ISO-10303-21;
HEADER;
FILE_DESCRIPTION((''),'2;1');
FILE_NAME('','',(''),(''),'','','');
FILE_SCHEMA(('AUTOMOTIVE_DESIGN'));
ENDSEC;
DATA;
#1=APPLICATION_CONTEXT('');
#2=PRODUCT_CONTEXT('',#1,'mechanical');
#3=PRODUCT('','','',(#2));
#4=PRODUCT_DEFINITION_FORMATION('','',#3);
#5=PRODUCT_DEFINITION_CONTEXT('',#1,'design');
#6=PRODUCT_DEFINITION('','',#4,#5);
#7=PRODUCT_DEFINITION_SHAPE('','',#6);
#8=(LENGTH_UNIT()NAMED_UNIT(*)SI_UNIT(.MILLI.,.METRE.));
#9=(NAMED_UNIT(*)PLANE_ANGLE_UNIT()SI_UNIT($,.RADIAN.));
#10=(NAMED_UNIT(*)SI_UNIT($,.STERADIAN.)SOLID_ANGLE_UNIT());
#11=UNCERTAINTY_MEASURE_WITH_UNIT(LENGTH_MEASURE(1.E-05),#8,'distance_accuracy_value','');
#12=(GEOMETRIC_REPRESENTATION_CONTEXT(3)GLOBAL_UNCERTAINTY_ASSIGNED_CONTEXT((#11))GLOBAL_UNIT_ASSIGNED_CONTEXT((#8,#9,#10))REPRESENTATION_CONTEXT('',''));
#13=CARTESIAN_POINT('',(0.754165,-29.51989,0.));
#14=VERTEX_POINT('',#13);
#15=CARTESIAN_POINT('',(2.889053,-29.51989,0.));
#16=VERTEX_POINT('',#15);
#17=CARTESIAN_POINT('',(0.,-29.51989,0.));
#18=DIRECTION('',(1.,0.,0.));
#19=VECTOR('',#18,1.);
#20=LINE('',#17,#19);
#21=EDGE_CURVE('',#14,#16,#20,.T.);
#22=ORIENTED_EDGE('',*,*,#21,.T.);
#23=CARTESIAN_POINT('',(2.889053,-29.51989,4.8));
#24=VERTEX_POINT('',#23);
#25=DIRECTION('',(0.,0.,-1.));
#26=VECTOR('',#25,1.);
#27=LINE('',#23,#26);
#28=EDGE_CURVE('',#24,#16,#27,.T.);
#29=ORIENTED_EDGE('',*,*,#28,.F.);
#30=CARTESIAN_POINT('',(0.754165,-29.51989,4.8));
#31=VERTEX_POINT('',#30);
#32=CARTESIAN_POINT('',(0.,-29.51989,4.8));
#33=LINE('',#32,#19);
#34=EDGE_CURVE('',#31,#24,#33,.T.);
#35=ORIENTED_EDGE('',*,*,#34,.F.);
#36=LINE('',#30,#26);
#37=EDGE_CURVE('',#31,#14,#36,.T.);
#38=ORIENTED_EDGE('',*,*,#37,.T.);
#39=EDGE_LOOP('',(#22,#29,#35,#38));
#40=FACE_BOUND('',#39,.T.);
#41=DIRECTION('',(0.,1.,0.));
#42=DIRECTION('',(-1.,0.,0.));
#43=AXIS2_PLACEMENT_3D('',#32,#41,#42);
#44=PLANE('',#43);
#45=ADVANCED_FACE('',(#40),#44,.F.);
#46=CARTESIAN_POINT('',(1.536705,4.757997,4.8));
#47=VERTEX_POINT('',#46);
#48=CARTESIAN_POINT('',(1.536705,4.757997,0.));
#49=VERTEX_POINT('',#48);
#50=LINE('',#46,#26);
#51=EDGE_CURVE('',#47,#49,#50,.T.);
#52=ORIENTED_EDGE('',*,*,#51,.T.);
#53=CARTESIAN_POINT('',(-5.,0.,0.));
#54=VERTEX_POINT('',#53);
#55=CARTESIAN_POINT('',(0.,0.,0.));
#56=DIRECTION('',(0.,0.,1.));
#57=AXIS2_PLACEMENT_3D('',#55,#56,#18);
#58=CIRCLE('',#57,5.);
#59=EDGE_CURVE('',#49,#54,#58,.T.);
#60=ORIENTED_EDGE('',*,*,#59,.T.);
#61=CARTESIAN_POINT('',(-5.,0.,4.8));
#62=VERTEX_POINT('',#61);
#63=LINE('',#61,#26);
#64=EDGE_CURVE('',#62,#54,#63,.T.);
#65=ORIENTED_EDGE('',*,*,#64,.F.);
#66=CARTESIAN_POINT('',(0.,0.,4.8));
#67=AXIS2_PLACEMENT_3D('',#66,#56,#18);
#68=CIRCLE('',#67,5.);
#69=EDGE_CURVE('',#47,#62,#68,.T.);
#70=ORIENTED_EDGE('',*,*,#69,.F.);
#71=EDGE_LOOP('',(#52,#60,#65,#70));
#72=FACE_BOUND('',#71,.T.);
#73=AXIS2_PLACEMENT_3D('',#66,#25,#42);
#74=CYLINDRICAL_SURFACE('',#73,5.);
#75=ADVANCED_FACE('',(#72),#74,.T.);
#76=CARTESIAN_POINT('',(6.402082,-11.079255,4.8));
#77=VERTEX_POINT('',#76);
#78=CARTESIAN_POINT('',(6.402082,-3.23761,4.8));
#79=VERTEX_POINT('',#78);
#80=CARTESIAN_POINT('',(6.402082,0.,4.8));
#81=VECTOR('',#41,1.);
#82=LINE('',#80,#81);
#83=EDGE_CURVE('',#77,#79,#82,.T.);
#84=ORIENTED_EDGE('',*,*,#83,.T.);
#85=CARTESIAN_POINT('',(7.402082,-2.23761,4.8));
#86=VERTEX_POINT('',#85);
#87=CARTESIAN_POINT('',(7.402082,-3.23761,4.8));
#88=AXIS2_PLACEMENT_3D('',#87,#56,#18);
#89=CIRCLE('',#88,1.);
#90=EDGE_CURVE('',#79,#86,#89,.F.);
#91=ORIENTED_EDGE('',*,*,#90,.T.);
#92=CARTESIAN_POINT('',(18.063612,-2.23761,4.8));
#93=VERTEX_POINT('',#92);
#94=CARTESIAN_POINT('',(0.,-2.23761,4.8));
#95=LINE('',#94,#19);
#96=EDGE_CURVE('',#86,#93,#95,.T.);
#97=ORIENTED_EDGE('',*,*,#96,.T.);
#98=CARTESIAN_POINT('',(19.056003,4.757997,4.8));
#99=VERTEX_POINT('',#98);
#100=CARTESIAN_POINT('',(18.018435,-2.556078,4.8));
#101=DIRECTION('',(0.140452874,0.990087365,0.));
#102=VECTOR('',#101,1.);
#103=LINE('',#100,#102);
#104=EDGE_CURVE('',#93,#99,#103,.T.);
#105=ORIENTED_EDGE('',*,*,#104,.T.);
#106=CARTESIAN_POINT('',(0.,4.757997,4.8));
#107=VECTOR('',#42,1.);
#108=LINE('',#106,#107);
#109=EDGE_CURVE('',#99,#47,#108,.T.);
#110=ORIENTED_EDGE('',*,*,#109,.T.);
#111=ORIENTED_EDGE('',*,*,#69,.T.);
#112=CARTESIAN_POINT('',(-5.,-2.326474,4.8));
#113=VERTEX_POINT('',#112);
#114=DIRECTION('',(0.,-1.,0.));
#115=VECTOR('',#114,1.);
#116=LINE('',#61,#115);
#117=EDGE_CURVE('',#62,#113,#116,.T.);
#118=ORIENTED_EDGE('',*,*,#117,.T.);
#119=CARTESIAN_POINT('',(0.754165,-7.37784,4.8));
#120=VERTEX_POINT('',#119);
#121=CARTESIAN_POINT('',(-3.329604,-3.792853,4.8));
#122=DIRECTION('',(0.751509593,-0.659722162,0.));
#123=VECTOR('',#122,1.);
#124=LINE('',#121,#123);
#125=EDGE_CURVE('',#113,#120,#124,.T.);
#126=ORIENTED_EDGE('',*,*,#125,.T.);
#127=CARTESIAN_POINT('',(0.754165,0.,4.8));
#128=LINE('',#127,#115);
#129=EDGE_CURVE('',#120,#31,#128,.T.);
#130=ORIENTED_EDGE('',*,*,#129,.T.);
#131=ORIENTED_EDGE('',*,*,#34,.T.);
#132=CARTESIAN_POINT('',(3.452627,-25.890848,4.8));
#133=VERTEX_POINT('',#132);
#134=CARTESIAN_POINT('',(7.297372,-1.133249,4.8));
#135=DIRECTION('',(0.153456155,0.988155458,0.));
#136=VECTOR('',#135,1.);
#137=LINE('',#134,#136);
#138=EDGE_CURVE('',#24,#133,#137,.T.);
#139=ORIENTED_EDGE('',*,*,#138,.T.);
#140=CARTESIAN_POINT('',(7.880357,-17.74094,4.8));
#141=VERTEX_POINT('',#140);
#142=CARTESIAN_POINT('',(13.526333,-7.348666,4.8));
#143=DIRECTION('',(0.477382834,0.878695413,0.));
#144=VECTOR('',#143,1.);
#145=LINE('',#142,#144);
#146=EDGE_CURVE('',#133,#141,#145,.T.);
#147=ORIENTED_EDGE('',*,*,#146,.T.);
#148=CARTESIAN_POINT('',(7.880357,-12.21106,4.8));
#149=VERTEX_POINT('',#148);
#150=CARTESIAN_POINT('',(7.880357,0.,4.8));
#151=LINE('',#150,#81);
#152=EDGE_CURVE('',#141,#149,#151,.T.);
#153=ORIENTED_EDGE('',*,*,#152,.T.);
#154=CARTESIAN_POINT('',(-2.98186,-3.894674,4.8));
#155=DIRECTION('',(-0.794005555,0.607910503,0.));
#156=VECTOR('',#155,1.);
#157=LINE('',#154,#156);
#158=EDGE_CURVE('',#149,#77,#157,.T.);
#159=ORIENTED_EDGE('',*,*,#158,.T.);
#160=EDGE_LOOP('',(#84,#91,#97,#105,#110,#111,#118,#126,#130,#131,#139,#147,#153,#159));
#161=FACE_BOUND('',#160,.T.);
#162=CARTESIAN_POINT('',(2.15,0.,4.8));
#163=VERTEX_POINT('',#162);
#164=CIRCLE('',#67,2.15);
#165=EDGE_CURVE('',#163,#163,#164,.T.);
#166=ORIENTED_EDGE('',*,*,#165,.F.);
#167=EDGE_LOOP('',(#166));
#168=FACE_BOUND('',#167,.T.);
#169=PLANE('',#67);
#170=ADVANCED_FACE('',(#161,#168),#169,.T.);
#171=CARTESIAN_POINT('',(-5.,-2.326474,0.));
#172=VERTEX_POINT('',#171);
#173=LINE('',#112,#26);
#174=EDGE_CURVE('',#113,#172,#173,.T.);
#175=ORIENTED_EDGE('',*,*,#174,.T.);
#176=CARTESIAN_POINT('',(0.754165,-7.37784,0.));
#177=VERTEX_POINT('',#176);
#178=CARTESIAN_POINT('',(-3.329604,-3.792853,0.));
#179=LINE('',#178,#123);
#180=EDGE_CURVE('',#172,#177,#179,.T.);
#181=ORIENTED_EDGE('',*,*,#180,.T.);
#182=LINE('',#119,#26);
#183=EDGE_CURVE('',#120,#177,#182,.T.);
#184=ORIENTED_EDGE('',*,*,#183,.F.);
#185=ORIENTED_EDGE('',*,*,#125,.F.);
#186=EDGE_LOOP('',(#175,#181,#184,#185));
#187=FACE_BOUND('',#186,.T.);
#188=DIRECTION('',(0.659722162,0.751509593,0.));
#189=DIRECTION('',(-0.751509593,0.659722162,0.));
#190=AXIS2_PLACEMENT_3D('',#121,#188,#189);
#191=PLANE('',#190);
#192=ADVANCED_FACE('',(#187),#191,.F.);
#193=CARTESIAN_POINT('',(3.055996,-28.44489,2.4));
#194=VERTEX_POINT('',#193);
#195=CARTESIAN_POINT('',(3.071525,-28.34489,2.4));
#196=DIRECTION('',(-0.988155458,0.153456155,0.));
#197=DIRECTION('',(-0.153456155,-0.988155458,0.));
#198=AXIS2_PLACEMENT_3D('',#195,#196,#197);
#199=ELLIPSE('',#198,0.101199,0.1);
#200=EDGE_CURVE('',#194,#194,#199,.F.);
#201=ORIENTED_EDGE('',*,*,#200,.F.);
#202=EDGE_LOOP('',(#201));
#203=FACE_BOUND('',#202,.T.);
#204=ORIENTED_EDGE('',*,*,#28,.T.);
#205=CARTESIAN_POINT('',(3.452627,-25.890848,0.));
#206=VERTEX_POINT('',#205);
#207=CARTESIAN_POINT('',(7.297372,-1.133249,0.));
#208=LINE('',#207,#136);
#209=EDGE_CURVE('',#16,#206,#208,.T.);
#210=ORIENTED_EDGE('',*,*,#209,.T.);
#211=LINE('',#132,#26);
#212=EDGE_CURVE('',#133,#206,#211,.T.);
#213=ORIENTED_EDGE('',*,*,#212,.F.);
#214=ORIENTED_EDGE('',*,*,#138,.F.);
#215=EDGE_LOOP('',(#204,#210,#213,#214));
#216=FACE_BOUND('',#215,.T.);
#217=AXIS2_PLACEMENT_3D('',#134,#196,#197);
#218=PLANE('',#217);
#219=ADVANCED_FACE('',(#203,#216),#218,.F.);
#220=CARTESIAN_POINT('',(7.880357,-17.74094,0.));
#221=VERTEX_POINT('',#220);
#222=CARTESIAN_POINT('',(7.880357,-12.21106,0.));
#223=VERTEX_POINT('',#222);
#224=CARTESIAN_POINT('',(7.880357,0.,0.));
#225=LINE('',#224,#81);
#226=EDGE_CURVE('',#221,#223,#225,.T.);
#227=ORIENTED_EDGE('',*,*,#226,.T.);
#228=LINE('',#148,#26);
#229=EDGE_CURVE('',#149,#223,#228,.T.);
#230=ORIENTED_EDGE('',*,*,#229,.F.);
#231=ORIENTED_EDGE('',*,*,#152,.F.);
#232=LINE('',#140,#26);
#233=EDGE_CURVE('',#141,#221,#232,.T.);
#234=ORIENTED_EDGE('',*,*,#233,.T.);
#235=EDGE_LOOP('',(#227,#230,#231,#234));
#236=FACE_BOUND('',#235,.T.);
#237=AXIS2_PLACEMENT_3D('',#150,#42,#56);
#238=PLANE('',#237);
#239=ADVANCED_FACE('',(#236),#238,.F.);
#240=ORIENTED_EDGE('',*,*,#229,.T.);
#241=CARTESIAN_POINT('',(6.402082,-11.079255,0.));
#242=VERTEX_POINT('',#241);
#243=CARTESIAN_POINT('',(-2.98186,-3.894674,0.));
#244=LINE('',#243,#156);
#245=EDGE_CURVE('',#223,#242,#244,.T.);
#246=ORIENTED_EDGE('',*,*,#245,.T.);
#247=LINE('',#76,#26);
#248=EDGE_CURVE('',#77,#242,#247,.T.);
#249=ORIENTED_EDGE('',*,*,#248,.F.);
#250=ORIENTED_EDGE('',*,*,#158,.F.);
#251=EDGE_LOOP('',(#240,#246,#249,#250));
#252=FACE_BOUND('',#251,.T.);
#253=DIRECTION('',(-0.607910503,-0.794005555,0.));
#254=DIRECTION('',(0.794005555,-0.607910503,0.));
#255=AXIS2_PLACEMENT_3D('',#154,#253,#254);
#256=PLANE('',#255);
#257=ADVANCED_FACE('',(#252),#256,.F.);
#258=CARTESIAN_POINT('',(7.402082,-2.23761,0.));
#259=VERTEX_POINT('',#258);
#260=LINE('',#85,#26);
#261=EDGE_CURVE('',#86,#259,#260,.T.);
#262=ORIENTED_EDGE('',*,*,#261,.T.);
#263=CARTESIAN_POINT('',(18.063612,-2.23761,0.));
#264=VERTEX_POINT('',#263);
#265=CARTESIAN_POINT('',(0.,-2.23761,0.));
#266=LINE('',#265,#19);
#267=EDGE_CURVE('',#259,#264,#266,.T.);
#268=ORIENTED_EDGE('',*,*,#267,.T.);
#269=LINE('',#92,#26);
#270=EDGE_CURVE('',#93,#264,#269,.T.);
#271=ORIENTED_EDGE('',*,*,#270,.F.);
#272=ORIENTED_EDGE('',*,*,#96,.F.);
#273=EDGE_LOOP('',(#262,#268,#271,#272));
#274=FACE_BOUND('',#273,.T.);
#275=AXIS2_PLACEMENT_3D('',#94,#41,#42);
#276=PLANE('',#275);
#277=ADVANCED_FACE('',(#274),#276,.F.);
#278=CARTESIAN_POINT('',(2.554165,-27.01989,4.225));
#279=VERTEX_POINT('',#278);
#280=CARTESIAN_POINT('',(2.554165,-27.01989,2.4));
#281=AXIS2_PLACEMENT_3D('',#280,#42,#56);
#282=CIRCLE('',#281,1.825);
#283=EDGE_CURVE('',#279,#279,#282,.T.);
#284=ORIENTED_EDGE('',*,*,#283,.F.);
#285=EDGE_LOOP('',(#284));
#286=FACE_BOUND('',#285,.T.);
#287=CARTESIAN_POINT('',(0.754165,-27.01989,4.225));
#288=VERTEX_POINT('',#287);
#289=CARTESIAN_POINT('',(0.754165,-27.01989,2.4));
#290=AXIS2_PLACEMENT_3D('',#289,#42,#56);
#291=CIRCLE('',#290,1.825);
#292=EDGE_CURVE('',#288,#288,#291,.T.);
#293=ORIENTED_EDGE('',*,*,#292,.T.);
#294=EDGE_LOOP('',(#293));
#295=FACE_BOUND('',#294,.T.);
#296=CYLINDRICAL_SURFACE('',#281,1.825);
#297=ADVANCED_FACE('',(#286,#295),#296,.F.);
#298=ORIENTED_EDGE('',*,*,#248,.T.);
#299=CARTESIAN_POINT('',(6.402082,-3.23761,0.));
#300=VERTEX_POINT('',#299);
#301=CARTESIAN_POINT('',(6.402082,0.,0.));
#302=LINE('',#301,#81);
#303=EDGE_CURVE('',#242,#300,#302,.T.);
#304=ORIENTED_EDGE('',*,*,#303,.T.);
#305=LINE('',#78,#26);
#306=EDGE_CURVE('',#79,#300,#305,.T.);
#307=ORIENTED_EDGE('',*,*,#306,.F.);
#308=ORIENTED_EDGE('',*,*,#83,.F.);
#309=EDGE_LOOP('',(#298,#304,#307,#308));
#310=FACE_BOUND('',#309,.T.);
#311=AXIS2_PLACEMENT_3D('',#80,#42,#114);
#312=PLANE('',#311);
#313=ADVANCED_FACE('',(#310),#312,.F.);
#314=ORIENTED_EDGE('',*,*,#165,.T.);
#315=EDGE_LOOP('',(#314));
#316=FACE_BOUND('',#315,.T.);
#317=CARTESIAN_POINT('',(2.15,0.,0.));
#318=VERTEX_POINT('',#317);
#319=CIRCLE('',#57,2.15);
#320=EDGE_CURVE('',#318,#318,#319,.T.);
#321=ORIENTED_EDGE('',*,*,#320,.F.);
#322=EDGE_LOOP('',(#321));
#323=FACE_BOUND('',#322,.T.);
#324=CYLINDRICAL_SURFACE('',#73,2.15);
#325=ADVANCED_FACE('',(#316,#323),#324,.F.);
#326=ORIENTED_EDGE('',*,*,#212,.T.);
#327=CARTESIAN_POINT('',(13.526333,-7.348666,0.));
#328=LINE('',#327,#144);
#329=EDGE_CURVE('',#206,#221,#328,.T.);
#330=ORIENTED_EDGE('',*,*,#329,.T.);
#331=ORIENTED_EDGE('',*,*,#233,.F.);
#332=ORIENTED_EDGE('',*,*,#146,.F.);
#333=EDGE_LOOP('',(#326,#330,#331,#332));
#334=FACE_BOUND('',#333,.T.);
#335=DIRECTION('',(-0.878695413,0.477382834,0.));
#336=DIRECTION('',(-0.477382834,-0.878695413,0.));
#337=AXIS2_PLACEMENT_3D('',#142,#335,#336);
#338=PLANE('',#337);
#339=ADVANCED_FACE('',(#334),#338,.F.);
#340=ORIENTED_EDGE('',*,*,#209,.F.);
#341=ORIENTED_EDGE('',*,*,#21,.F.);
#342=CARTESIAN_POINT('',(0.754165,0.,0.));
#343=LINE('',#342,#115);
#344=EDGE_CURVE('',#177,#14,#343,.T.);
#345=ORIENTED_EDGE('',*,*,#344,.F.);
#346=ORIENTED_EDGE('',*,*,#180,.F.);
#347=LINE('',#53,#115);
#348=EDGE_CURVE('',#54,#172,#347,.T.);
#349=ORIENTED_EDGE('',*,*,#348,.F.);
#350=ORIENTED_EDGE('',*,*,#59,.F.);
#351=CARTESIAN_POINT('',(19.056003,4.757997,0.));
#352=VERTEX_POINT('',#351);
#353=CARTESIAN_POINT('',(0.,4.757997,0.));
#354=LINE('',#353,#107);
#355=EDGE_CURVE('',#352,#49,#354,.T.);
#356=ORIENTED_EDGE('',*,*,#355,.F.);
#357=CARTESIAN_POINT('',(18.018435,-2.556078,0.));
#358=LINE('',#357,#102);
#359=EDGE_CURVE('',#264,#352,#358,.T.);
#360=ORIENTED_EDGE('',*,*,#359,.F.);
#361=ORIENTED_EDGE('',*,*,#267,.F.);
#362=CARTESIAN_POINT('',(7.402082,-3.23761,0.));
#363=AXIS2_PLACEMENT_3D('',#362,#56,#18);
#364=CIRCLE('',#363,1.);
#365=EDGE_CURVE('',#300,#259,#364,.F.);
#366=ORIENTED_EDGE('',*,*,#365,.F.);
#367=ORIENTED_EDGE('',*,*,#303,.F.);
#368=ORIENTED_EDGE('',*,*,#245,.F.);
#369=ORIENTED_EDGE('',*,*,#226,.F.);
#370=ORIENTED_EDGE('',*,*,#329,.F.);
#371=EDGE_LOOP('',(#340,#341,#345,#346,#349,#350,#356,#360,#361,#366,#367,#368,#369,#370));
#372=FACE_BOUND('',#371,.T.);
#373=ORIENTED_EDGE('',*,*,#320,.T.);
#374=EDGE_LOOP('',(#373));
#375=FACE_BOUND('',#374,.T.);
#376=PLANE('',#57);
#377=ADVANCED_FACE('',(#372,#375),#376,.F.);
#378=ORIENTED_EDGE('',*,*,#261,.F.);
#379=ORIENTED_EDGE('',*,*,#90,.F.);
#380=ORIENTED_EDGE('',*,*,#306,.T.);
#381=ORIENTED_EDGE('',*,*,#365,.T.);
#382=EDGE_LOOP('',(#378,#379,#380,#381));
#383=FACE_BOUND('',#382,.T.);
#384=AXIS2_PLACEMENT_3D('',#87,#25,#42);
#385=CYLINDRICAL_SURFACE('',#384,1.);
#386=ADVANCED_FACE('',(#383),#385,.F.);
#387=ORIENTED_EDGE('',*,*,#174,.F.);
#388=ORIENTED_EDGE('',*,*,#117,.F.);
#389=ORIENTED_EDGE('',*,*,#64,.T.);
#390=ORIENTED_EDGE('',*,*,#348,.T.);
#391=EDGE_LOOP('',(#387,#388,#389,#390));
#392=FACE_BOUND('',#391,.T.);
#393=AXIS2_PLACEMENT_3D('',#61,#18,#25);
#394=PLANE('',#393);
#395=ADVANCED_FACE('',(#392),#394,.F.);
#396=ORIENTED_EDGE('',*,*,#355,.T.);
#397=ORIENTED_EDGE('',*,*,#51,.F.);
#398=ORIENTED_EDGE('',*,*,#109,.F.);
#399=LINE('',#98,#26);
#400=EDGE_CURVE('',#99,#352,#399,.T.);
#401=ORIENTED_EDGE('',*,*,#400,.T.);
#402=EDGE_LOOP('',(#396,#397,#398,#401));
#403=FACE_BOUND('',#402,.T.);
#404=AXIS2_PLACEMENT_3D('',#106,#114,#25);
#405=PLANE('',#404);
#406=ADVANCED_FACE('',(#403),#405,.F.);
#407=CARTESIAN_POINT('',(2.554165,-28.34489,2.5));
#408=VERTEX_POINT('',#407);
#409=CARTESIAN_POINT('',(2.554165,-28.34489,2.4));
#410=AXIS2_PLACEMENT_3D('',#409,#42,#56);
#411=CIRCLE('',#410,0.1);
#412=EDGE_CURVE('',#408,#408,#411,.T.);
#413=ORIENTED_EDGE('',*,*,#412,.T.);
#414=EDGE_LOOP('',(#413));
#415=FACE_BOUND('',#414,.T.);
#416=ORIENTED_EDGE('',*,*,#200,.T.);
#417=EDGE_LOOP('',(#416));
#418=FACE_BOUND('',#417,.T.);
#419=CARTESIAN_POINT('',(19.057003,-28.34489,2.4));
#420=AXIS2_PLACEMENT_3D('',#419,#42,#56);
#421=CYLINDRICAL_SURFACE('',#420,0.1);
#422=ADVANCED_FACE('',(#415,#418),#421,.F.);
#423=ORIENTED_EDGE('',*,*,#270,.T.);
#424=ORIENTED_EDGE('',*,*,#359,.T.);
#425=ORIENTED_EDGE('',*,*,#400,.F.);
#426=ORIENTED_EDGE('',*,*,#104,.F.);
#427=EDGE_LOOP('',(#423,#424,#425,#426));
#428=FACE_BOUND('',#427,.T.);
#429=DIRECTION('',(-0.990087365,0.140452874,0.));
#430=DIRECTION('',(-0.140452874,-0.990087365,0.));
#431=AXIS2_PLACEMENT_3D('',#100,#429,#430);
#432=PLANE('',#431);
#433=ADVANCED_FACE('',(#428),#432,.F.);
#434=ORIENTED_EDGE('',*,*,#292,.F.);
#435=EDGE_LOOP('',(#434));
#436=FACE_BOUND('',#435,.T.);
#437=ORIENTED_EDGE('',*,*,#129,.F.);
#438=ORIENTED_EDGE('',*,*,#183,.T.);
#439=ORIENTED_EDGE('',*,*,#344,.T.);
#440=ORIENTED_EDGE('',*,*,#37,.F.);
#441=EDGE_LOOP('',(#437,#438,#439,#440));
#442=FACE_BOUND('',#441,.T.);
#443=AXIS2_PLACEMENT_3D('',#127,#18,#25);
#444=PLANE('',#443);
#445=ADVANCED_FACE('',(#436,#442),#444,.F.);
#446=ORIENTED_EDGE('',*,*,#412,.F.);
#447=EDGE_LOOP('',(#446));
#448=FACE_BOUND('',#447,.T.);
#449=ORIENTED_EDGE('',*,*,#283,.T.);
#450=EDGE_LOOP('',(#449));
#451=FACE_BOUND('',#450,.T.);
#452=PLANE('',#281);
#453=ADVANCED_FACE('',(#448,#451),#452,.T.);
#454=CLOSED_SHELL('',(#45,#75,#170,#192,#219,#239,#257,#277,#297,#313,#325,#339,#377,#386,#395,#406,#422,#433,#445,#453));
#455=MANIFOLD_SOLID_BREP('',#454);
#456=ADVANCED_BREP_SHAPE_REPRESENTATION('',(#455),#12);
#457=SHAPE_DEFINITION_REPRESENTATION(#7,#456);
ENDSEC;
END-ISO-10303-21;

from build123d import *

# Parameters (mm, degrees)
SKETCH_1_R          = 5
SKETCH_1_R_2        = 2.15
EXTRUDE_1_DEPTH     = 4.8
SKETCH_3_R          = 1.825
CUT_EXTRUDE_1_DEPTH = 1.8
CUT_EXTRUDE_2_REACH = 36.158
SKETCH_4_R          = 0.1


with BuildPart() as part:
    # 스케치1 → 보스-돌출1 (new body)
    # profile 1 of 2: a face of its own
    with BuildSketch(Plane.XY):
        with BuildLine():
            ThreePointArc((5, 0), (0, -5), (-5, 0))
            Line((-5, 0), (-5, -2.326474397))
            Line((-5, -2.326474397), (0.754164722, -7.377840375))
            Line((0.754164722, -7.377840375), (0.754164722, -29.519890116))
            Line((0.754164722, -29.519890116), (2.889052882, -29.519890116))
            Line((2.889052882, -29.519890116), (3.452626944, -25.890848407))
            Line((3.452626944, -25.890848407), (7.880357437, -17.740939791))
            Line((7.880357437, -17.740939791), (7.880357437, -12.211059606))
            Line((7.880357437, -12.211059606), (6.40208237, -11.079255258))
            Line((6.40208237, -11.079255258), (6.40208237, -3.237610212))
            ThreePointArc((6.40208237, -3.237610212), (6.694975589, -2.530503431), (7.40208237, -2.237610212))
            Line((7.40208237, -2.237610212), (18.063612226, -2.237610212))
            Line((18.063612226, -2.237610212), (19.056002599, 4.757997197))
            Line((19.056002599, 4.757997197), (1.536705134, 4.757997197))
            ThreePointArc((1.536705134, 4.757997197), (4.04249463, 2.942488261), (5, 0))
        make_face()
    # profile 2 of 2: a face of its own
    with BuildSketch(Plane.XY):
        Circle(SKETCH_1_R)
        Circle(SKETCH_1_R_2, mode=Mode.SUBTRACT)
    extrude(amount=EXTRUDE_1_DEPTH)

    # 스케치3 → 컷-돌출1 (cut)
    with BuildSketch(Plane.ZY.offset(-0.754164722)):
        with Locations((2.4, -27.019890116)):
            Circle(SKETCH_3_R)
    extrude(amount=-CUT_EXTRUDE_1_DEPTH, mode=Mode.SUBTRACT)

    # 컷-돌출2: up to this plane
    cut_extrude_2_end = Plane(origin=(7.297372122, -1.133249487, 4.8), z_dir=(-0.9881554576984991, 0.15345615471746255, 0))
    # 스케치4 → 컷-돌출2 (cut, up to the surface)
    with BuildSketch(Plane.ZY.offset(-2.554164722), mode=Mode.PRIVATE) as cut_extrude_2_sk1:
        with Locations((2.4, -28.344890116)):
            Circle(SKETCH_4_R)
    cut_extrude_2_tool1 = split(extrude(cut_extrude_2_sk1.sketch, amount=-CUT_EXTRUDE_2_REACH, mode=Mode.PRIVATE), bisect_by=cut_extrude_2_end, keep=Keep.BOTH, mode=Mode.PRIVATE)
    add(cut_extrude_2_tool1.solids().sort_by_distance((2.554165, -28.34489, 2.4))[0], mode=Mode.SUBTRACT)


solid = part.part
